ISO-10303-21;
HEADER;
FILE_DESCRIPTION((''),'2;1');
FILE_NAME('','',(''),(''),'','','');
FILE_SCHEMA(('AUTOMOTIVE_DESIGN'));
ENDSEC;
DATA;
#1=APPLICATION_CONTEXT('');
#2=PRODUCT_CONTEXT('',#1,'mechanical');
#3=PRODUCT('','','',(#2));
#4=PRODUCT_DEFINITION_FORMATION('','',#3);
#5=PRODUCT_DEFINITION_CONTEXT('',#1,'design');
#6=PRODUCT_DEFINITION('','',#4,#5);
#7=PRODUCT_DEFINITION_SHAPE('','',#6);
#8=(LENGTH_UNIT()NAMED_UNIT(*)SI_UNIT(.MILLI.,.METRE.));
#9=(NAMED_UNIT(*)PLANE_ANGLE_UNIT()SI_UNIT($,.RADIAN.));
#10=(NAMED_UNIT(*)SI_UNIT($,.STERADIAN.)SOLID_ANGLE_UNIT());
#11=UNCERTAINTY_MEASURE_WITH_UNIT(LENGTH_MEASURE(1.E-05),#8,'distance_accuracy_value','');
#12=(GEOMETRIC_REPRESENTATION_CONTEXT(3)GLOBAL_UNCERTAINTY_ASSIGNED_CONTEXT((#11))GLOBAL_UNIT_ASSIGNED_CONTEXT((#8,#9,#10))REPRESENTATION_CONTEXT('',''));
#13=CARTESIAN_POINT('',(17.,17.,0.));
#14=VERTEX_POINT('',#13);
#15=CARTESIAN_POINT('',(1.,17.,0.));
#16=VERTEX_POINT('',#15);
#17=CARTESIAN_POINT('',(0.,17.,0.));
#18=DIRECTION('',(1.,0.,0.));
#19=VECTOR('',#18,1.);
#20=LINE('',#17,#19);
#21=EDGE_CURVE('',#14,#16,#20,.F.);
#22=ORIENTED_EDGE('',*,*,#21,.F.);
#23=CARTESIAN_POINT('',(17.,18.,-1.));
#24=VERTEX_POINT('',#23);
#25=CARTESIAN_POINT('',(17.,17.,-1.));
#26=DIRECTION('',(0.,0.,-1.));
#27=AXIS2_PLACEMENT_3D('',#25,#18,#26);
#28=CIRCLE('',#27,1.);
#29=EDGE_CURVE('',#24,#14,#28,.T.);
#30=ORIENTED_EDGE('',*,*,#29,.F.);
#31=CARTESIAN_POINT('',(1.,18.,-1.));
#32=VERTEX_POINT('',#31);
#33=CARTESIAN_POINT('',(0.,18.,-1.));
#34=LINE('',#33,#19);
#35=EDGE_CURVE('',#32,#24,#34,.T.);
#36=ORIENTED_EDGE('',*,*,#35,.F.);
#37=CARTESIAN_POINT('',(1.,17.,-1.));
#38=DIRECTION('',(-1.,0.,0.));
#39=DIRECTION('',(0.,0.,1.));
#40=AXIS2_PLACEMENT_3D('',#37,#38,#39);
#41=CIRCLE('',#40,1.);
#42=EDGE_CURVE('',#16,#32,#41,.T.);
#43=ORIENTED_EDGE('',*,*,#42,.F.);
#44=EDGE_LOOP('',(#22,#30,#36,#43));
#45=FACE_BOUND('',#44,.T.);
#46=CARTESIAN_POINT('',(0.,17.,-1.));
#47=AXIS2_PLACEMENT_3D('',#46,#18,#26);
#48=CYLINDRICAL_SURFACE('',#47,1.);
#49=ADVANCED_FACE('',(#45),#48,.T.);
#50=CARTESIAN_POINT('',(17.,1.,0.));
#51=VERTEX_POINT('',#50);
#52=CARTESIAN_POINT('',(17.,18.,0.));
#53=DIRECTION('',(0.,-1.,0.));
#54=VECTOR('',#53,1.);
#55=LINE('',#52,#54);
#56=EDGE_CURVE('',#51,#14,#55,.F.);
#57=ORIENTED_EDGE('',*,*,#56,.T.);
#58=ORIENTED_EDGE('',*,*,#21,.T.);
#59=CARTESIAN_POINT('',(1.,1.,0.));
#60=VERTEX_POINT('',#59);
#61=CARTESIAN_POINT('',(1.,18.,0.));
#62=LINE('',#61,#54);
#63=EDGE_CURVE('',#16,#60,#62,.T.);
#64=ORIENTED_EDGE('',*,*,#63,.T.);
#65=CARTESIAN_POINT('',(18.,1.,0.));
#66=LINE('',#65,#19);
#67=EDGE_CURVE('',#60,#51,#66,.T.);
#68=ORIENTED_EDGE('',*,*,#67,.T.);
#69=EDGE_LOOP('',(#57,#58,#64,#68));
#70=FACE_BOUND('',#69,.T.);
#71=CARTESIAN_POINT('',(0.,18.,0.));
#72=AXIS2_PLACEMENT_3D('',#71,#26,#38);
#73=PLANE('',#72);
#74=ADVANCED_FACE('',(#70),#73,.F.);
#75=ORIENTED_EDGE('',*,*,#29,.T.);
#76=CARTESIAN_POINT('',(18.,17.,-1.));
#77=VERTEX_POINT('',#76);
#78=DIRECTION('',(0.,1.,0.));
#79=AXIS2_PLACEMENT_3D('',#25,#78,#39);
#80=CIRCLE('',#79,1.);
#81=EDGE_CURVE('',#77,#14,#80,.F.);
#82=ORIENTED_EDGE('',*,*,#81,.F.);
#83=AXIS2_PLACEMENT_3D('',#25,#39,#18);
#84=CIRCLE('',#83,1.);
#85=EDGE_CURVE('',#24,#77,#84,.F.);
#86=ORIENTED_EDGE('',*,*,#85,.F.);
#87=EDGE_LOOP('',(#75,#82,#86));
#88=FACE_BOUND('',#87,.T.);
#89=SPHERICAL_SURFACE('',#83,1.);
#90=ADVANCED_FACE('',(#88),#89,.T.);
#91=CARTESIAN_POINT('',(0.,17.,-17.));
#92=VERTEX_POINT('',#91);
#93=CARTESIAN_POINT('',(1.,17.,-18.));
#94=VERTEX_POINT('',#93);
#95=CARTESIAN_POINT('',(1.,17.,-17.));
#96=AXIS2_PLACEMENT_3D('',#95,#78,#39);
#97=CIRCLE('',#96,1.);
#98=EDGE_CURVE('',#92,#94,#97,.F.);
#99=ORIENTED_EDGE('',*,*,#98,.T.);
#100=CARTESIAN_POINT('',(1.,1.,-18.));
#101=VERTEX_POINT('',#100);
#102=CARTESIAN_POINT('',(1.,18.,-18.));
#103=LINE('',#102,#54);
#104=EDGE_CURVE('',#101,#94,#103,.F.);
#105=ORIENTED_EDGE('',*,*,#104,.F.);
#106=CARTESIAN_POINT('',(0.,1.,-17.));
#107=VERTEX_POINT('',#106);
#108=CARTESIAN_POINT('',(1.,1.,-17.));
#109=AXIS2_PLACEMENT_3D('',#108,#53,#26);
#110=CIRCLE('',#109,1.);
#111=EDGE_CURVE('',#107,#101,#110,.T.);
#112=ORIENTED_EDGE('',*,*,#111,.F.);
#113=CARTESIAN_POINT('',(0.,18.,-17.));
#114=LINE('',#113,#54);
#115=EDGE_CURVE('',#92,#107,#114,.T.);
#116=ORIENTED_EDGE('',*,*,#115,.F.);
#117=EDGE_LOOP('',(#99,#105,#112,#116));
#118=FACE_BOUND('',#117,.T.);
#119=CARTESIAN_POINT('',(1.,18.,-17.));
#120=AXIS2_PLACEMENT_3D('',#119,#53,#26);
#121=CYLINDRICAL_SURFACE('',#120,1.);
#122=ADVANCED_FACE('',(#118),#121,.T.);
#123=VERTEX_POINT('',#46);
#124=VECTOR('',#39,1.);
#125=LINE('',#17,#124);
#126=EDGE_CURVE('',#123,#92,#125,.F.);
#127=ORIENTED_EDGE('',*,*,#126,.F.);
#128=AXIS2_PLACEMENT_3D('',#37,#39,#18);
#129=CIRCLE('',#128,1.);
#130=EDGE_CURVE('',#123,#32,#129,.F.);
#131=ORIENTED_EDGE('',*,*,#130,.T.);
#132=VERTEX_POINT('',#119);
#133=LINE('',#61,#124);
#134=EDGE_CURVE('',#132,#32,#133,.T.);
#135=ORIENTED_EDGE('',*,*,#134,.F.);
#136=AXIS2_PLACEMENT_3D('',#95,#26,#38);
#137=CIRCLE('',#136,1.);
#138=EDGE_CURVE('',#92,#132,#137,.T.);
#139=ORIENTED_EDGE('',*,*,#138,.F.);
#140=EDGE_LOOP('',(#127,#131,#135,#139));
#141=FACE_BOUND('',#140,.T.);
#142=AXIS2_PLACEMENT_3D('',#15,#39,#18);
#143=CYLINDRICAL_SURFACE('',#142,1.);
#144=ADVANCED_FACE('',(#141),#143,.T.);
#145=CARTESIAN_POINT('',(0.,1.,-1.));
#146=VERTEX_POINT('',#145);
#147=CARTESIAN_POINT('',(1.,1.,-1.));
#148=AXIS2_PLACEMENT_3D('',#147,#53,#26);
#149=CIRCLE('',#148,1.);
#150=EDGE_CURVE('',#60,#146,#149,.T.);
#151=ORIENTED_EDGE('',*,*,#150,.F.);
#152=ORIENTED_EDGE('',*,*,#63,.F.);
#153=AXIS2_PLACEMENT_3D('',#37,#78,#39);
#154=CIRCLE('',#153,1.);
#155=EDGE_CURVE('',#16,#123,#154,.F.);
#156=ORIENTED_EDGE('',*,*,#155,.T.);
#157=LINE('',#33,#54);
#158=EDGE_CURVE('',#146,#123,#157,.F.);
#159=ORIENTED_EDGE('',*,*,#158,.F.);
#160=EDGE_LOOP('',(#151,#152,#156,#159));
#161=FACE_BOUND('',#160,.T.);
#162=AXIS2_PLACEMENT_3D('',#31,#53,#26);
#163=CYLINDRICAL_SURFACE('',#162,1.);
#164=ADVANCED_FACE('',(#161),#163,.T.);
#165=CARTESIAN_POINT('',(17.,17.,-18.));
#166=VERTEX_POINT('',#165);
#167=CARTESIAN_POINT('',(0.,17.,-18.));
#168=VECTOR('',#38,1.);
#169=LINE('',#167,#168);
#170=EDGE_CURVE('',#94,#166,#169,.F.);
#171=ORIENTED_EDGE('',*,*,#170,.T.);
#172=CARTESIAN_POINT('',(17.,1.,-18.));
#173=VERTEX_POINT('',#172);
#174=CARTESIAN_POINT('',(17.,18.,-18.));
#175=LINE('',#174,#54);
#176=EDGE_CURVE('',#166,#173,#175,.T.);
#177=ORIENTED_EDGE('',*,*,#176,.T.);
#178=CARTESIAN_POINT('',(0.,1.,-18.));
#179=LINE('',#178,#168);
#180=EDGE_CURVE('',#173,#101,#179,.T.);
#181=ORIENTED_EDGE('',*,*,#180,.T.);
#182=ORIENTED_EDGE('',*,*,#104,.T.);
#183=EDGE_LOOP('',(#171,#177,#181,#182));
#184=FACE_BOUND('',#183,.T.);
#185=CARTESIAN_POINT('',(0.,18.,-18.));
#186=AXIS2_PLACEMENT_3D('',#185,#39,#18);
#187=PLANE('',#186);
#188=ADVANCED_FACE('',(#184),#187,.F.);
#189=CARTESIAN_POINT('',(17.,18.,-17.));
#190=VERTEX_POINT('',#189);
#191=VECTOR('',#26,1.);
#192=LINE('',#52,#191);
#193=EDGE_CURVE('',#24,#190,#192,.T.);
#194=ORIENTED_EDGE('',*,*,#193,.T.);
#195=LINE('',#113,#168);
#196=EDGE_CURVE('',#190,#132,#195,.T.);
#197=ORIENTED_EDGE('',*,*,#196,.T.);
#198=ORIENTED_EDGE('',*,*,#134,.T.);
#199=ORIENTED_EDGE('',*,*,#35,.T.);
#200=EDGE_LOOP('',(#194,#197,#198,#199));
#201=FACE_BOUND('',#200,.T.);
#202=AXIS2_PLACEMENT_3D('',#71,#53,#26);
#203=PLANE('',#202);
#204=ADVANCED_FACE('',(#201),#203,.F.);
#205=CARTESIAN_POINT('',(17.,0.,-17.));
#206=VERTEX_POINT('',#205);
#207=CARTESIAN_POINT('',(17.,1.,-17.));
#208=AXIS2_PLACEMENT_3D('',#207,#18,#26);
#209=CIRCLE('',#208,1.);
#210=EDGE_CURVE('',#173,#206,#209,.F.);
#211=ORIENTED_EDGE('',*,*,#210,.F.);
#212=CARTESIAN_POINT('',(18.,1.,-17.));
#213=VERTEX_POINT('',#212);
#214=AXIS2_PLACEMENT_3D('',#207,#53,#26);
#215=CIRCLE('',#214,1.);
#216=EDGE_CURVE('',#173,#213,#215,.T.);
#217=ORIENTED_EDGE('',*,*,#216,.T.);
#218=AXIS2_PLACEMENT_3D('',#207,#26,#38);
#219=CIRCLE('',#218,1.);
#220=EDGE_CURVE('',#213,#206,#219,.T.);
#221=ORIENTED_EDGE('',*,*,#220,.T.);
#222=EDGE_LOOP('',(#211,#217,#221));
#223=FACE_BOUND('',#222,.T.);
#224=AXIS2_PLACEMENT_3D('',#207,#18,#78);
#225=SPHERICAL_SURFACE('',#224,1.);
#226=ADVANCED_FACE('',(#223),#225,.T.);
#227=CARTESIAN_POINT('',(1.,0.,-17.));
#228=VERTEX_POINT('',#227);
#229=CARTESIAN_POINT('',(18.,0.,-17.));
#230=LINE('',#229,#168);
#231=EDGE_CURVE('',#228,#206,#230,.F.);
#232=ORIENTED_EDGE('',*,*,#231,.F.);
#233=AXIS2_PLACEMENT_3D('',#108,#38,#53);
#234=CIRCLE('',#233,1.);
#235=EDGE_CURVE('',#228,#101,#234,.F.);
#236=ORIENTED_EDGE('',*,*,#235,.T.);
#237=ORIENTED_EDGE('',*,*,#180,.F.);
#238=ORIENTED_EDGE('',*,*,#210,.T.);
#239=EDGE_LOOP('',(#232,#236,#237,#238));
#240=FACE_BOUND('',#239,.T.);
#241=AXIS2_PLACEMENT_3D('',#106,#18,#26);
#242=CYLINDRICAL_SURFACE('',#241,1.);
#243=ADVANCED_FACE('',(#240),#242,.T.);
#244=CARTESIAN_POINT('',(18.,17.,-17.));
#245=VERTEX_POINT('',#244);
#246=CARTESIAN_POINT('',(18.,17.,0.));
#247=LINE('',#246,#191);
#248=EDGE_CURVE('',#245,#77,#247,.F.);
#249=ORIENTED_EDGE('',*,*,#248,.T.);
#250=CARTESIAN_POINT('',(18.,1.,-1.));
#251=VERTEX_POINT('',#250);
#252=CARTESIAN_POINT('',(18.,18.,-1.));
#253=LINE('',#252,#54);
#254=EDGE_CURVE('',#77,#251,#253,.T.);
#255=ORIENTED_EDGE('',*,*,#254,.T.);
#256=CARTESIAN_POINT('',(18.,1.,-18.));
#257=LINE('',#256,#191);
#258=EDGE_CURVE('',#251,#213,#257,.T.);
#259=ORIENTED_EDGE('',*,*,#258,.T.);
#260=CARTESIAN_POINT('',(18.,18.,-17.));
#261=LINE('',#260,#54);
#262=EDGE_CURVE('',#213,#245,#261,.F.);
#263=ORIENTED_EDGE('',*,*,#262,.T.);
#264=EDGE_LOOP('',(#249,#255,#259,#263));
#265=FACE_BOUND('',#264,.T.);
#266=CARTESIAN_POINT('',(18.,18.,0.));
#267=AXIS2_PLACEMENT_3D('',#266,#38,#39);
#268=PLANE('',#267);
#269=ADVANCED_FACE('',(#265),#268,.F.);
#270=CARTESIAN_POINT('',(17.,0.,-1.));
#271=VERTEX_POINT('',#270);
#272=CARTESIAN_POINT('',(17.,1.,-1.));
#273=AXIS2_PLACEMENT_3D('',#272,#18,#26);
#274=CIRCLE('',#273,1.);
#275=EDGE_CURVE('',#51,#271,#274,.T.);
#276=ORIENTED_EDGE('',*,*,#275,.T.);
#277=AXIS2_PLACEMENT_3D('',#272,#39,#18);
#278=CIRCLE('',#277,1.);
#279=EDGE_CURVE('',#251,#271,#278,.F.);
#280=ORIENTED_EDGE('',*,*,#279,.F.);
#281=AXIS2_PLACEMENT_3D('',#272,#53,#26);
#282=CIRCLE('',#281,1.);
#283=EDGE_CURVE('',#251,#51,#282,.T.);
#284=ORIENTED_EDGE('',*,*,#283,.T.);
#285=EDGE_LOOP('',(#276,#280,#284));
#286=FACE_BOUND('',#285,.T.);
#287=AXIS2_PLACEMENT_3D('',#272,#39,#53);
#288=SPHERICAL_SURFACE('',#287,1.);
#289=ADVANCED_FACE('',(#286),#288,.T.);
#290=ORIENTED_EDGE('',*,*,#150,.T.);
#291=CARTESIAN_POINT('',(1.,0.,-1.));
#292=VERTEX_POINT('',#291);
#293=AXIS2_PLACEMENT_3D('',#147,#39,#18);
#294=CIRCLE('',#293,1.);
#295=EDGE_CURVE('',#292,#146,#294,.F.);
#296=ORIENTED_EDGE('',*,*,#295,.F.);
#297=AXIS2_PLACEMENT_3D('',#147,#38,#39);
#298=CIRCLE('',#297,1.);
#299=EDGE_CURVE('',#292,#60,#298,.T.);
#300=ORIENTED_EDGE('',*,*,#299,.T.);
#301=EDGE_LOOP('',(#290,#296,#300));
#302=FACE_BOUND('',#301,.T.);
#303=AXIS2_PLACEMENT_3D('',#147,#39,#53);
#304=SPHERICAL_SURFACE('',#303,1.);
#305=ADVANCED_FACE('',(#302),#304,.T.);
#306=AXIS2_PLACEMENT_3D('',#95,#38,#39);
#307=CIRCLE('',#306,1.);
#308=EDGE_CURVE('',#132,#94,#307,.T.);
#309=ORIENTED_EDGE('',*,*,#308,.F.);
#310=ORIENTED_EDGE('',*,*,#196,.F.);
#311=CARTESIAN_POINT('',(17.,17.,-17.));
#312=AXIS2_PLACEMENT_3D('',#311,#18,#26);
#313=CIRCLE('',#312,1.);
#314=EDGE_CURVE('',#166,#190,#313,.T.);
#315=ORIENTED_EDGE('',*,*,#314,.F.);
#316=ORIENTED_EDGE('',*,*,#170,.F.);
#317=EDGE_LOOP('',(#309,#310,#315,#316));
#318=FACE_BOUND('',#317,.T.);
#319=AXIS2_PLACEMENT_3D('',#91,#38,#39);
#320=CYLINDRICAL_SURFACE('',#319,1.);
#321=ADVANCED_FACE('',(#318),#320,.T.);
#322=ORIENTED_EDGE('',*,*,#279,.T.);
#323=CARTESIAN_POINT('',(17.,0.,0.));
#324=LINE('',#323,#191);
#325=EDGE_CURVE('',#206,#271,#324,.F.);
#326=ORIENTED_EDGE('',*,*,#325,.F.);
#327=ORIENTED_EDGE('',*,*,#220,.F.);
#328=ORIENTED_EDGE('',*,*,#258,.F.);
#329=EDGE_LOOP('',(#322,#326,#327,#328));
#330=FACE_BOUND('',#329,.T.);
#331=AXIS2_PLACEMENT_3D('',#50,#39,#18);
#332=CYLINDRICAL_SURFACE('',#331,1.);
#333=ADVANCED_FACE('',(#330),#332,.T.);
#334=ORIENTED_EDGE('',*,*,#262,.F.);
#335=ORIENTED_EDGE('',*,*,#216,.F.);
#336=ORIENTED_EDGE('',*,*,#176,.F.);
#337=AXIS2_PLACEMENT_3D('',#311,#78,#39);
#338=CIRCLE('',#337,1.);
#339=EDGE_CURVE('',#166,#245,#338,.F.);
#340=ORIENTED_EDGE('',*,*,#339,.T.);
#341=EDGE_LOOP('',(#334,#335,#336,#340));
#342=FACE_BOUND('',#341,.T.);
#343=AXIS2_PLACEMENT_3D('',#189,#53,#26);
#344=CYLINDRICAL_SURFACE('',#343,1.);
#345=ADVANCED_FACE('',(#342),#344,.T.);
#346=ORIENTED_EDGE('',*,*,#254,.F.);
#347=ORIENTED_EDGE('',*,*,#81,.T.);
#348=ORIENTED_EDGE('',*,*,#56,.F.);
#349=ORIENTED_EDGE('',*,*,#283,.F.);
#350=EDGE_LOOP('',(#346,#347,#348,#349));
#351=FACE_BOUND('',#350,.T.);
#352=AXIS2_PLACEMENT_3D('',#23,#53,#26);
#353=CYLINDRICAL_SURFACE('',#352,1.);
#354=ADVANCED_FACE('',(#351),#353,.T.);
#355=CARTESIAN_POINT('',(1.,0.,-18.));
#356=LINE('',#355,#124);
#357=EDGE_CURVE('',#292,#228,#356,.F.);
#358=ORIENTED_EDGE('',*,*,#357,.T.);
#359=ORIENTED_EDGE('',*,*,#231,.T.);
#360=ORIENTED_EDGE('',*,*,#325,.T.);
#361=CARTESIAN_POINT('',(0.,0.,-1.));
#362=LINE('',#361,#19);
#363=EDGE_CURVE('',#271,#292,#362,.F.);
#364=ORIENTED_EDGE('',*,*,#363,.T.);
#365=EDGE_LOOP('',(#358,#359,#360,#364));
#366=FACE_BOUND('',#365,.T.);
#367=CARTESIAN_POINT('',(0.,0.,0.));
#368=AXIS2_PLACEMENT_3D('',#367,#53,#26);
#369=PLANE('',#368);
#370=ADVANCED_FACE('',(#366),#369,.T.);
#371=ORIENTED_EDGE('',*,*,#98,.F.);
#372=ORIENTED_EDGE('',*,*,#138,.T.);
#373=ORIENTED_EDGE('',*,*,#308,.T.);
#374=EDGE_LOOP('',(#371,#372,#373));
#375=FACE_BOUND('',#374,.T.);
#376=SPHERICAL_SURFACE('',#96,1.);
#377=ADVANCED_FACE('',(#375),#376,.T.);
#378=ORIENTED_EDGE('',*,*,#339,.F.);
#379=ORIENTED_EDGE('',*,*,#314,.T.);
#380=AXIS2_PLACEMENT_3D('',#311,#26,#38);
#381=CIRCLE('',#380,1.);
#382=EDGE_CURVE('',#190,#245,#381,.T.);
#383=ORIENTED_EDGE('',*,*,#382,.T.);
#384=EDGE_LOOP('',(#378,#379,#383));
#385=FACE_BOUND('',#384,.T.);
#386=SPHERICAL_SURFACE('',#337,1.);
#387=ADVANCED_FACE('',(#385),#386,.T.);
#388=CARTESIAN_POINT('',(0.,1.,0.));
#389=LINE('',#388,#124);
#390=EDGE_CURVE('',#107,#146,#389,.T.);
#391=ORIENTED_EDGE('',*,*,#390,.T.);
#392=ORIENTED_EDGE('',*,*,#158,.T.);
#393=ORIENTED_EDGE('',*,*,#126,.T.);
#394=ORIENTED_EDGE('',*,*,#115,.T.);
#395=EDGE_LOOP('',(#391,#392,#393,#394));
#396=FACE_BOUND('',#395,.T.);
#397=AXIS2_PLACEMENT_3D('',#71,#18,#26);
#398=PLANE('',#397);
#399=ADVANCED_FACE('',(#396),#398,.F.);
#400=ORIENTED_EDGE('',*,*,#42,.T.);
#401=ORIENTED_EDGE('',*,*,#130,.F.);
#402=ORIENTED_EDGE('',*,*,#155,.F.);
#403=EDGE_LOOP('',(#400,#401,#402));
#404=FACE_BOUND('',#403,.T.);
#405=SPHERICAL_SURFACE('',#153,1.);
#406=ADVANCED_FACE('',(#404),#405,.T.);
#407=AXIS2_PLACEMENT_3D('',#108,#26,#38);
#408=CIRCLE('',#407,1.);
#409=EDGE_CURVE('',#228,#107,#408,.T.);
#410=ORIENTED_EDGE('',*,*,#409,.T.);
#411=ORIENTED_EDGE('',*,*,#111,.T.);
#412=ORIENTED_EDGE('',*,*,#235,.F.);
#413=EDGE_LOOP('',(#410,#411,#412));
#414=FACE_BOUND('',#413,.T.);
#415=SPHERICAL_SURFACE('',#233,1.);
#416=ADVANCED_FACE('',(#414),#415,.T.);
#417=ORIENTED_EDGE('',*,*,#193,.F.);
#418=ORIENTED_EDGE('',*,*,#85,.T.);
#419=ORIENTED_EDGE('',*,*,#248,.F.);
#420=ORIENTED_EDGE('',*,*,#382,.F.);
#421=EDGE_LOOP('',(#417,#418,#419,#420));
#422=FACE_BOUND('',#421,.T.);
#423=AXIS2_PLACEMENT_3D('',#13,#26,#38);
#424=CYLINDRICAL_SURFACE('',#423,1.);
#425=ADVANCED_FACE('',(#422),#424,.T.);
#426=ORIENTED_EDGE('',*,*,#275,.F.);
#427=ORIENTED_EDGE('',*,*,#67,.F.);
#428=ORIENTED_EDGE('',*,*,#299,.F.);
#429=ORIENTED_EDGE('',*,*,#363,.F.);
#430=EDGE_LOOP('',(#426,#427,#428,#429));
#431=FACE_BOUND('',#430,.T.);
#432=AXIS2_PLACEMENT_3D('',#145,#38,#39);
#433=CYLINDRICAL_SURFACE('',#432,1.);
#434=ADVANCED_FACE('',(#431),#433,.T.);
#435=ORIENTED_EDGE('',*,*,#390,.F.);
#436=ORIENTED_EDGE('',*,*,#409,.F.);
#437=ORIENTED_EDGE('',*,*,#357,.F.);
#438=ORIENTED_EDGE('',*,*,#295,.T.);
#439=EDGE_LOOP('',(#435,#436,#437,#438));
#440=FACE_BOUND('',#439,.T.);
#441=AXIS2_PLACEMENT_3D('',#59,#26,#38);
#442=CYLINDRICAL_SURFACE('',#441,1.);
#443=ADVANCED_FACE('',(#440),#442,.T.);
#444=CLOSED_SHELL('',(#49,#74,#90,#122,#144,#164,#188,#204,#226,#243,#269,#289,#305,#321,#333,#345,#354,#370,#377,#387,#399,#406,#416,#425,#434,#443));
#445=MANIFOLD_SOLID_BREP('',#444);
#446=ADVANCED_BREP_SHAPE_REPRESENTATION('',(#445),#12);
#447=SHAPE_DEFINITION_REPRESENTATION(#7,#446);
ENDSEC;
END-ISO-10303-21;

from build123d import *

# Parameters (mm, degrees)
SKETCH_1_W      = 18
SKETCH_1_H      = 18
EXTRUDE_1_DEPTH = 18
FILLET_1_R      = 1


with BuildPart() as part:
    # 草图1 → 凸台-拉伸1 (new body)
    with BuildSketch(Plane(origin=(0, 0, 0), x_dir=(1, 0, 0), z_dir=(0, 1, 0))):
        with Locations((9, 9)):
            Rectangle(SKETCH_1_W, SKETCH_1_H)
    extrude(amount=EXTRUDE_1_DEPTH)

    # 圆角1
    fillet_1_edges = [part.edges().sort_by_distance(p)[0] for p in [
        (18, 18, -9),
        (9, 18, -18),
        (0, 18, -9),
        (9, 0, -18),
        (18, 0, -9),
        (9, 0, 0),
        (0, 0, -9),
        (0, 9, -18),
        (18, 9, -18),
        (18, 9, 0),
        (0, 9, 0),
        (9, 18, 0),
    ]]
    fillet(fillet_1_edges, radius=FILLET_1_R)


solid = part.part
